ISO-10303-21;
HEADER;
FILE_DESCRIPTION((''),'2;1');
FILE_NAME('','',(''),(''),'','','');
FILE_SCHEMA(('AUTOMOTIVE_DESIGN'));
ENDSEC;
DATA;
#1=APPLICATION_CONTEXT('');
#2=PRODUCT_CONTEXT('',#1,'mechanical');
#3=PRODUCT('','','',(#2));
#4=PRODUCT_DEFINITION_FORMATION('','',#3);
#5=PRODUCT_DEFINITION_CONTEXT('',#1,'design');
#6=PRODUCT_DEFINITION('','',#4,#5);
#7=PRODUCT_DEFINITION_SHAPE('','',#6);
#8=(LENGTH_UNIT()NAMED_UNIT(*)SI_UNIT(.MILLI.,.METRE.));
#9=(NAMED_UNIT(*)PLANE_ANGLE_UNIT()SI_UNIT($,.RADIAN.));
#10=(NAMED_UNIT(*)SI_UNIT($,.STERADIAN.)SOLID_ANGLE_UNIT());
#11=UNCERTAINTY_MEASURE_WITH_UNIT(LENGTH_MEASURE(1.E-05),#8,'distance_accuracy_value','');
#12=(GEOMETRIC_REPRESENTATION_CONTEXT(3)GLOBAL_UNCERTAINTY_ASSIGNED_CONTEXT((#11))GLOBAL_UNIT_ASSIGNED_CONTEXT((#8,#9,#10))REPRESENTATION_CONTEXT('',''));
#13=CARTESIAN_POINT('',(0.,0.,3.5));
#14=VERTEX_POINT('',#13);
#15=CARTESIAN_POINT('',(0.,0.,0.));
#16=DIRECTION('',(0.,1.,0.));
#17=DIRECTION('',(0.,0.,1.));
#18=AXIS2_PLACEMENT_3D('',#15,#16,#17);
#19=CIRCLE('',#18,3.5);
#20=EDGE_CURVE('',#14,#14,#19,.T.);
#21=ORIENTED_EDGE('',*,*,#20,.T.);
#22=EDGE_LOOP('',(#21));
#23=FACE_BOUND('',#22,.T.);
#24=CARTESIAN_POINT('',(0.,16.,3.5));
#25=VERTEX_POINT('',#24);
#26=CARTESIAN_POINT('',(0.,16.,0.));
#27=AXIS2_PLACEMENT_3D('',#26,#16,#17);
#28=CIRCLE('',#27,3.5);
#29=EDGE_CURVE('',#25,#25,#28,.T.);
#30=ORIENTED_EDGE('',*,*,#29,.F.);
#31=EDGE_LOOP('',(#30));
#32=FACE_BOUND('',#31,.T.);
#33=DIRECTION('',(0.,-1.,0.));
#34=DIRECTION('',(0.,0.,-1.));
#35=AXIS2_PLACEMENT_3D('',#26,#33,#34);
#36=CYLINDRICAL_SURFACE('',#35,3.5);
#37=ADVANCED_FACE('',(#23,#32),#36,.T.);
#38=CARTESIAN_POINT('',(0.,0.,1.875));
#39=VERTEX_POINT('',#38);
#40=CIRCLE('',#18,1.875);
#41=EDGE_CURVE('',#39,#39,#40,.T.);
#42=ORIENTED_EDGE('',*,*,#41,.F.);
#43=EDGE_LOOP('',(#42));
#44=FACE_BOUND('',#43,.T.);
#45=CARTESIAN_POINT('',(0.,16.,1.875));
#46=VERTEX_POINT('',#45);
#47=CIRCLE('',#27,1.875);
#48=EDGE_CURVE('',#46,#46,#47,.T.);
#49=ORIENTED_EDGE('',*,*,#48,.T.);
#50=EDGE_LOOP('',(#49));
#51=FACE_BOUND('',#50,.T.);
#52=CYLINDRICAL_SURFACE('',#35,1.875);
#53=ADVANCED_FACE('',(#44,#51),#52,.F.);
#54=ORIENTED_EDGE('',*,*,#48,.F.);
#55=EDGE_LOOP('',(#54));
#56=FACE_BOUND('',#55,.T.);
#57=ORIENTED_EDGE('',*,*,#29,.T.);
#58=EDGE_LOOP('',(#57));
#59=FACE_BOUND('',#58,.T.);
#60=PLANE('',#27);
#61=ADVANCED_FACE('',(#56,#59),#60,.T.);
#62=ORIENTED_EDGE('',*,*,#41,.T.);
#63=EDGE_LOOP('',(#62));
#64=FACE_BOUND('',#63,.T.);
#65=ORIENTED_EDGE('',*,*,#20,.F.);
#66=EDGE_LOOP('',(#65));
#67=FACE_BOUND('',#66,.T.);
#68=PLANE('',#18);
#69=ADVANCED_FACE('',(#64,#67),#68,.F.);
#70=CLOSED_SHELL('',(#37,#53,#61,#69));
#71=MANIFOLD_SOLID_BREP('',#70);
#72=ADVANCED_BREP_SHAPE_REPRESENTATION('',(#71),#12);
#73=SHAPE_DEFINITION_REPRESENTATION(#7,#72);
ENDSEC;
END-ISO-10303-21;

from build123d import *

# Parameters (mm, degrees)
CROQUIS1_R              = 3.5
CROQUIS1_R_2            = 1.875
SALIENTE_EXTRUIR1_DEPTH = 16


with BuildPart() as part:
    # Croquis1 → Saliente-Extruir1 (new body)
    with BuildSketch(Plane(origin=(0, 0, 0), x_dir=(1, 0, 0), z_dir=(0, 1, 0))):
        with Locations(Location((0, 0, 0), (0, 0, 270))):
            Circle(CROQUIS1_R)
        with Locations(Location((0, 0, 0), (0, 0, 270))):
            Circle(CROQUIS1_R_2, mode=Mode.SUBTRACT)
    extrude(amount=SALIENTE_EXTRUIR1_DEPTH)


solid = part.part
